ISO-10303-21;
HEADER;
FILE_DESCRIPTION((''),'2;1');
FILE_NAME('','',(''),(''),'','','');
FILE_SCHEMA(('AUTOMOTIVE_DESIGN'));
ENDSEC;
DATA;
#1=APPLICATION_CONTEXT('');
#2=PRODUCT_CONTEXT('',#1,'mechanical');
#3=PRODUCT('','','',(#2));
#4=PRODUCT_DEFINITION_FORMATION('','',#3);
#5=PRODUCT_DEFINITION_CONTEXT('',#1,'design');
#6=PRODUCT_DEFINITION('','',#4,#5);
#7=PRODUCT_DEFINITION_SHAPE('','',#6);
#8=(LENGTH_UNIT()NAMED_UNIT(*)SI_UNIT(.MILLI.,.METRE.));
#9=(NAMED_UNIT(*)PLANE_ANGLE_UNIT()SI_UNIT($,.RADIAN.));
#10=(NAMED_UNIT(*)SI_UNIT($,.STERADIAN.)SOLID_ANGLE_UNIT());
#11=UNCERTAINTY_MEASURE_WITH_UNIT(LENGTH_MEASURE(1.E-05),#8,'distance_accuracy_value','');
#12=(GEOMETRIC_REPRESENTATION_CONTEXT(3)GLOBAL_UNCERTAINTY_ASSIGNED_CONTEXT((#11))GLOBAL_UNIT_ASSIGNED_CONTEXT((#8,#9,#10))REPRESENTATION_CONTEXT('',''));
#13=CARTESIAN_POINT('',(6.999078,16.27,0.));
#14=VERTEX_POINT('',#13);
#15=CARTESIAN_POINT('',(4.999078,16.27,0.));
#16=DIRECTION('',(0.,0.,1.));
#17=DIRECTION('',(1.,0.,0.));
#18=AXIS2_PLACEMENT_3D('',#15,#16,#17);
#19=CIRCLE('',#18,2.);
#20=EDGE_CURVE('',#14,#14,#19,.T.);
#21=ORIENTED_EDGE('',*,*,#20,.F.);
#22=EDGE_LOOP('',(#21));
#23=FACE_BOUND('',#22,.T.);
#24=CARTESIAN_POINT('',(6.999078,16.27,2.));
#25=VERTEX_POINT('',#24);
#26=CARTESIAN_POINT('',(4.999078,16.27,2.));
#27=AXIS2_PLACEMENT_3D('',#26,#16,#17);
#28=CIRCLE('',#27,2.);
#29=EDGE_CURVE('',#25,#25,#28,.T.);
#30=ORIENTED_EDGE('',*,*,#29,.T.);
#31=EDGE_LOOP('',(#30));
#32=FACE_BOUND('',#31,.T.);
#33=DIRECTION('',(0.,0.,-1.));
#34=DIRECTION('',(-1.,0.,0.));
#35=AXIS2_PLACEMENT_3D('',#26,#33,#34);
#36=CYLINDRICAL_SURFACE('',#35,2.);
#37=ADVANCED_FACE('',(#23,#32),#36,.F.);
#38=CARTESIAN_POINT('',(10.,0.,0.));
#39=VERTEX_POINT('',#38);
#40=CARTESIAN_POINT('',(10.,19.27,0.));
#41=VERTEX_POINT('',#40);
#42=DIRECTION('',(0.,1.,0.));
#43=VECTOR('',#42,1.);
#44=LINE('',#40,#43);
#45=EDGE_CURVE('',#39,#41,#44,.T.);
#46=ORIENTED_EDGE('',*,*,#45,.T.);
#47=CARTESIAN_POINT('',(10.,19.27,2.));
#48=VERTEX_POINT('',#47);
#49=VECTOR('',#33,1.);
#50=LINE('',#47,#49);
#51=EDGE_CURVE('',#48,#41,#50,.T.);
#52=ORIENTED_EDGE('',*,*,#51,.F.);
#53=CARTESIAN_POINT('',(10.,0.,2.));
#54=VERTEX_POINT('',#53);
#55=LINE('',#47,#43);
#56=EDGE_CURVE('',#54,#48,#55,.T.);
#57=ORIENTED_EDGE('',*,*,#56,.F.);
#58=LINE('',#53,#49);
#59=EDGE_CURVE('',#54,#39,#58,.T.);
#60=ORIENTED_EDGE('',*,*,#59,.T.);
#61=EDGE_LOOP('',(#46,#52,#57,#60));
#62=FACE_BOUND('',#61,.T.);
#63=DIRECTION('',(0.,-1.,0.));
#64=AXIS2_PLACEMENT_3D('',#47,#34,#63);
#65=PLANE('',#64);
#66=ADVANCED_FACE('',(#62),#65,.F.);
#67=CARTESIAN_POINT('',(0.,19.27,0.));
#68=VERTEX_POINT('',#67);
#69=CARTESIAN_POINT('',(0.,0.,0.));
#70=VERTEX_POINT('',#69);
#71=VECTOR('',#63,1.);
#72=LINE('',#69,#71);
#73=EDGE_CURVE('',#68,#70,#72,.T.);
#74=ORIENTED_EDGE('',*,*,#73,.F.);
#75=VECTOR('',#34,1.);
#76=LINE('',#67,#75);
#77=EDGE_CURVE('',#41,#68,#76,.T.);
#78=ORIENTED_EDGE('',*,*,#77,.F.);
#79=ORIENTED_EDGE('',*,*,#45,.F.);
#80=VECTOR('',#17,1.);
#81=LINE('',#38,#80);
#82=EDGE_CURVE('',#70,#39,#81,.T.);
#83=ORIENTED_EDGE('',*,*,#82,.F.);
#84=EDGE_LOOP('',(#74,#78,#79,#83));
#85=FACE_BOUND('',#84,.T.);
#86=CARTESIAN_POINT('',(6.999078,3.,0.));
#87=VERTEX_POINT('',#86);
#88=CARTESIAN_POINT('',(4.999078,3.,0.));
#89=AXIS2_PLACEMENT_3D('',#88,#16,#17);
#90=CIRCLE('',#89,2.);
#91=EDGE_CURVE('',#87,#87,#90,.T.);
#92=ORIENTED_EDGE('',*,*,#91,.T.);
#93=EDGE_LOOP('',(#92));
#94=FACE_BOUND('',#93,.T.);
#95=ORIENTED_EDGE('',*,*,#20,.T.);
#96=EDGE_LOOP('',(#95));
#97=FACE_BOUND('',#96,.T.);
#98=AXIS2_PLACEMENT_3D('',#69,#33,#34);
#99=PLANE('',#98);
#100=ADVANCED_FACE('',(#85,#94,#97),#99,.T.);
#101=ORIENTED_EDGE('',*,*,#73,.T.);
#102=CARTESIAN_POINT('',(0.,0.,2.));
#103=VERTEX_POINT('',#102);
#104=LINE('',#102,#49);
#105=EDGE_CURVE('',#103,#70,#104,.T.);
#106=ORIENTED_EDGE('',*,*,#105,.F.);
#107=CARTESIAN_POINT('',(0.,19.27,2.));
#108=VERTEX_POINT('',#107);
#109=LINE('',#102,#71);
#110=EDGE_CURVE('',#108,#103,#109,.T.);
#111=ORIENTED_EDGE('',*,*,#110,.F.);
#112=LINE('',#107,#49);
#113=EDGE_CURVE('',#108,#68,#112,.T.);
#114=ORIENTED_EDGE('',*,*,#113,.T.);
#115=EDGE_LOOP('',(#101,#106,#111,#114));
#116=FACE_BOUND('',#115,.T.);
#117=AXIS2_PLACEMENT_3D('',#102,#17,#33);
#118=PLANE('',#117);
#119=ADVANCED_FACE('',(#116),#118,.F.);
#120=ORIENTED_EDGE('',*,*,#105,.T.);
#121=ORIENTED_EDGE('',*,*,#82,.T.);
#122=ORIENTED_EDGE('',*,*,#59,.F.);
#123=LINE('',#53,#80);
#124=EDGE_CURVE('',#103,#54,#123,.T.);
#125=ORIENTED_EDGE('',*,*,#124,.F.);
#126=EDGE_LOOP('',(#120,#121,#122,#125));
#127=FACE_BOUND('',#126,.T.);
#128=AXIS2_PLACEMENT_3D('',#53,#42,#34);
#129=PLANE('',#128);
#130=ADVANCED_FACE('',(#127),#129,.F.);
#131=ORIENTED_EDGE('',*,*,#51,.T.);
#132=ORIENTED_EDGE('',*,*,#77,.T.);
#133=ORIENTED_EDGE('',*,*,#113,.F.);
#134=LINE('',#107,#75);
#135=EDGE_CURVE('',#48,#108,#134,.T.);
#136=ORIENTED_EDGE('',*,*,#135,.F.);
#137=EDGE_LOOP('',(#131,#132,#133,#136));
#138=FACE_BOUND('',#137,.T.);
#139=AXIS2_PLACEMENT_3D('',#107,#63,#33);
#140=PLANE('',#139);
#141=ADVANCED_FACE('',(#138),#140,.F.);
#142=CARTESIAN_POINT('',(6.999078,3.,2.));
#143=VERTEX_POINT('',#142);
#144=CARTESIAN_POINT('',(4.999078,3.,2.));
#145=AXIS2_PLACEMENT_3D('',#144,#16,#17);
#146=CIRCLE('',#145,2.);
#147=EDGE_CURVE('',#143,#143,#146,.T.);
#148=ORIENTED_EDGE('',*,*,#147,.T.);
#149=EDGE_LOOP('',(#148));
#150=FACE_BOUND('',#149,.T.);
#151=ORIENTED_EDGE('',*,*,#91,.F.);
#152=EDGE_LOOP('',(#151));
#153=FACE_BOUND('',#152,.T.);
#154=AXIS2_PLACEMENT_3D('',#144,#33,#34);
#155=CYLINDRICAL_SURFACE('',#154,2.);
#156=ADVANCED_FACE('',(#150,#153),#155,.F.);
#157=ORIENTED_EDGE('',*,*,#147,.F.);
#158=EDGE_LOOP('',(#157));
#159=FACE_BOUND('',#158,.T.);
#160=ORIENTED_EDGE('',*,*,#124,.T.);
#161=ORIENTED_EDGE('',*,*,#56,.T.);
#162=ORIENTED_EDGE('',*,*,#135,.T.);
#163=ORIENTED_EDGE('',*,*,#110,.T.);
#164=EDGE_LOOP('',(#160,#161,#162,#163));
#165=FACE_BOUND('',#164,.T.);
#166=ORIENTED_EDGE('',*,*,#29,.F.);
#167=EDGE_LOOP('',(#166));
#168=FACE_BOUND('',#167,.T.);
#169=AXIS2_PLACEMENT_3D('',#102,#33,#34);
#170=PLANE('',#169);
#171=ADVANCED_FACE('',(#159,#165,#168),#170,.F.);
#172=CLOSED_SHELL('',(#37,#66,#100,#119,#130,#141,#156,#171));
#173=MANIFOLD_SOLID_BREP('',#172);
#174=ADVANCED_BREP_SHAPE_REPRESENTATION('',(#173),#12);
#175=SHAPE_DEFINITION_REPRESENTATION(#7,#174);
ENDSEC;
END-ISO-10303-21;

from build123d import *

# Parameters (mm, degrees)
IZIM1_W                     = 10
IZIM1_H                     = 19.27
IZIM1_R                     = 2
Y_KSEKLIK_EKSTR_ZYON1_DEPTH = 2


with BuildPart() as part:
    # Çizim1 → Yükseklik-Ekstrüzyon1 (new body)
    with BuildSketch(Plane.XY):
        with Locations((5, 9.635)):
            Rectangle(IZIM1_W, IZIM1_H)
        with Locations((4.999077783, 16.27)):
            Circle(IZIM1_R, mode=Mode.SUBTRACT)
        with Locations((4.999077783, 3)):
            Circle(IZIM1_R, mode=Mode.SUBTRACT)
    extrude(amount=Y_KSEKLIK_EKSTR_ZYON1_DEPTH)


solid = part.part
